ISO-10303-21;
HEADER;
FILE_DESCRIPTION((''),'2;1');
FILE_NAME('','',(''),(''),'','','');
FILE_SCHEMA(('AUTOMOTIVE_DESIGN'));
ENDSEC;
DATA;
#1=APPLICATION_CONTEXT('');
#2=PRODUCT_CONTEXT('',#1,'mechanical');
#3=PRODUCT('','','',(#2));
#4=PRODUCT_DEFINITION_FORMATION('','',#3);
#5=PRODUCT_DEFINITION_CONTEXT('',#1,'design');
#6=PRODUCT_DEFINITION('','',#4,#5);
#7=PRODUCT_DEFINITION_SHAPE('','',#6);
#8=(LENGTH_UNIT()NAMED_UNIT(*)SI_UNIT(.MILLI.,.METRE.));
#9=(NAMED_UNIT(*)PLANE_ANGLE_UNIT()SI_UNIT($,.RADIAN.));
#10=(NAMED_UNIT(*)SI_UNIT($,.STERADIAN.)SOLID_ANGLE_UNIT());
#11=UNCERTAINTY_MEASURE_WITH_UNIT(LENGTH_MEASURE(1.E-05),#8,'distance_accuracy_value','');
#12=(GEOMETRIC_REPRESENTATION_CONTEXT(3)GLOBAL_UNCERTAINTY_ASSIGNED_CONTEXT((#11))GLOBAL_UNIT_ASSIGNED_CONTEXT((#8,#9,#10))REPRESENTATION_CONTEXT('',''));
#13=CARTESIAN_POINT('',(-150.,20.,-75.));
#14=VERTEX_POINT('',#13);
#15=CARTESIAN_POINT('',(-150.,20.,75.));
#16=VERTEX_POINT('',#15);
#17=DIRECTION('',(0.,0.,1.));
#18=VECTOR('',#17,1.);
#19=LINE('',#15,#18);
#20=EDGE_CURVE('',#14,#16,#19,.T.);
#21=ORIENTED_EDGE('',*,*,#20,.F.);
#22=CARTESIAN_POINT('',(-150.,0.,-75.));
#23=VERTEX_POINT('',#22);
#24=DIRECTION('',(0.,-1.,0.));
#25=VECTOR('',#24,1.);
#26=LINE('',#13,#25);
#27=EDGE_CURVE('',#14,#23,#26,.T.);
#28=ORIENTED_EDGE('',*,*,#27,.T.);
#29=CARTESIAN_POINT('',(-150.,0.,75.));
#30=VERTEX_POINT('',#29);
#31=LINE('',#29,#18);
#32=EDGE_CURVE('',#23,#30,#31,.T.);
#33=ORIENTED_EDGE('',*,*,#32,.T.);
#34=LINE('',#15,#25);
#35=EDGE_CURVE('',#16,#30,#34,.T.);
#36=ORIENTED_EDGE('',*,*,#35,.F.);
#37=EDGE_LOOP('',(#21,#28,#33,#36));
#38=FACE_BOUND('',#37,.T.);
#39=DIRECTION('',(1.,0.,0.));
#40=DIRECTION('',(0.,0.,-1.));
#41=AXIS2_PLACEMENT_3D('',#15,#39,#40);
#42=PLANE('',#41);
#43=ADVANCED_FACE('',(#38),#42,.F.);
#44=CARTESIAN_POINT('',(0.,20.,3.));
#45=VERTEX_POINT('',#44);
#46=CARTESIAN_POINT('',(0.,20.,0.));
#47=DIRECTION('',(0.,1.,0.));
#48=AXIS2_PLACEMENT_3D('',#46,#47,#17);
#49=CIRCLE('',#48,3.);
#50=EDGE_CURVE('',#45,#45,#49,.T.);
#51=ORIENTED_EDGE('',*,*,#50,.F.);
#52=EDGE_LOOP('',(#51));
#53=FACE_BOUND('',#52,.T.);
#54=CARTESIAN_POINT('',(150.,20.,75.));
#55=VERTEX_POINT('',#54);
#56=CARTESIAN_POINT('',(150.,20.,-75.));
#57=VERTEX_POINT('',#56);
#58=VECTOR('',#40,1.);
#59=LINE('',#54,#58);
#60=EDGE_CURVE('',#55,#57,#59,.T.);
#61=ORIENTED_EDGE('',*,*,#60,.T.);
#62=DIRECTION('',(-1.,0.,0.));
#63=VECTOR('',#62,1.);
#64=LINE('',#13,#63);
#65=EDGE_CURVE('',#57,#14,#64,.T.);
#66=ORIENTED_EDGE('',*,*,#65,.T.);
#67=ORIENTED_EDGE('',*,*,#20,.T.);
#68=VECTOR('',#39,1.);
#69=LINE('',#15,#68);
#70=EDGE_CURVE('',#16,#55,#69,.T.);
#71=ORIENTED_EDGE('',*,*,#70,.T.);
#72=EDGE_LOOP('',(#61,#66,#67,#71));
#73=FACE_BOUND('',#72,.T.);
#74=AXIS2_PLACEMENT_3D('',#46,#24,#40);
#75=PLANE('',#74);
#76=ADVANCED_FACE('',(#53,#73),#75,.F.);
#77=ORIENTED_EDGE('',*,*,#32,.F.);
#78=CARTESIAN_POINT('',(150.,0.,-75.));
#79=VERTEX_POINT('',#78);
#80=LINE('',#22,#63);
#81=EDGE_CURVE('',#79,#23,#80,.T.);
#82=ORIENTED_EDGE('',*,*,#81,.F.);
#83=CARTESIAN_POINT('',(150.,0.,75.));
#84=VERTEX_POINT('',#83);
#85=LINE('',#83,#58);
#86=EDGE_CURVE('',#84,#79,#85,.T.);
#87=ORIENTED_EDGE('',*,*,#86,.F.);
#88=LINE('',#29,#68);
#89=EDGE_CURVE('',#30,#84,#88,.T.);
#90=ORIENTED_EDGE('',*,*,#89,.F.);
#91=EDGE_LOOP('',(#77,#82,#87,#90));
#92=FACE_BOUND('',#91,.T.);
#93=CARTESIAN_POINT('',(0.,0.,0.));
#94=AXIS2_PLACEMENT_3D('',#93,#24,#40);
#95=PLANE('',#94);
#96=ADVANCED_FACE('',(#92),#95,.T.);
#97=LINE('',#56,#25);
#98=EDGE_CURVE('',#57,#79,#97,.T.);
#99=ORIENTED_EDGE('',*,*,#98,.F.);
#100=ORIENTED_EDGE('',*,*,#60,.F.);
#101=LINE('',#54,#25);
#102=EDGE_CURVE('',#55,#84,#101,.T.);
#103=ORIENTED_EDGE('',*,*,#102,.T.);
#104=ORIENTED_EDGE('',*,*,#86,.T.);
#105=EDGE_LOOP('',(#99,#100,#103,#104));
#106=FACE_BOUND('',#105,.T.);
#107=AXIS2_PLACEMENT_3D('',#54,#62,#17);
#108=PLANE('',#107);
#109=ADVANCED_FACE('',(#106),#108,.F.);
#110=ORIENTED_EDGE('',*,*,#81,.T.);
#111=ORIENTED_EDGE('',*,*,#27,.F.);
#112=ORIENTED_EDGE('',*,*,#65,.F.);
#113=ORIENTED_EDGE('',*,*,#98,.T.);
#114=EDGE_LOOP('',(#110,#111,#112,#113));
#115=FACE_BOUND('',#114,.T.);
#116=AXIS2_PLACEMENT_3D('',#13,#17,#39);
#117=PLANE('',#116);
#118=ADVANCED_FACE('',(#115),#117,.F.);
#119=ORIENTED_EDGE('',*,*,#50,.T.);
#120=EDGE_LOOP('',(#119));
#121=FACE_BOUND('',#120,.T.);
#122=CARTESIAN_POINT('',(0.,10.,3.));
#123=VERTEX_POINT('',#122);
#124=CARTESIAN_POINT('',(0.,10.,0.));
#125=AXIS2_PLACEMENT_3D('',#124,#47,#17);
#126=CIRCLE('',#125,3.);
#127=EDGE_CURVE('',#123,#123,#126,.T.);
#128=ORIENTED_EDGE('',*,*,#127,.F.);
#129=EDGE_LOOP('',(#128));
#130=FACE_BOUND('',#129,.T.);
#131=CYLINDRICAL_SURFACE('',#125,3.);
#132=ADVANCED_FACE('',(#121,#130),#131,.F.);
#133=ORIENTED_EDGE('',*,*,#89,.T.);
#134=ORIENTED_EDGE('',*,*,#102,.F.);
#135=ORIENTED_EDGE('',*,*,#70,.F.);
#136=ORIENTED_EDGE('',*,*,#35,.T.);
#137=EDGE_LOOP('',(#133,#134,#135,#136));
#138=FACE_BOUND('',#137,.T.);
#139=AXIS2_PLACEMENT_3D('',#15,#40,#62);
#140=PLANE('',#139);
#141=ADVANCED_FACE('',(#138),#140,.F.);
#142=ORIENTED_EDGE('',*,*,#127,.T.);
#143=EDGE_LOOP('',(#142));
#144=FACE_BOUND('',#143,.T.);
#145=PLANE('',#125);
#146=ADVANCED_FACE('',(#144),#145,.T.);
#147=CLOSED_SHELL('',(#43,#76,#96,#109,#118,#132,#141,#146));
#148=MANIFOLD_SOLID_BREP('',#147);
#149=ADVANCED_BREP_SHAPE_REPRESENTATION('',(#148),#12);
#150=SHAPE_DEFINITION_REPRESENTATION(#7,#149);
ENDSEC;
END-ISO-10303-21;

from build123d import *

# Parameters (mm, degrees)
SKETCH1_W           = 300
SKETCH1_H           = 150
BOSS_EXTRUDE1_DEPTH = 20
SKETCH2_R           = 3
CUT_EXTRUDE1_DEPTH  = 10


with BuildPart() as part:
    # Sketch1 → Boss-Extrude1 (new body)
    with BuildSketch(Plane(origin=(0, 0, 0), x_dir=(1, 0, 0), z_dir=(0, 1, 0))):
        Rectangle(SKETCH1_W, SKETCH1_H)
    extrude(amount=BOSS_EXTRUDE1_DEPTH)

    # Sketch2 → Cut-Extrude1 (cut)
    with BuildSketch(Plane(origin=(0, 20, 0), x_dir=(1, 0, 0), z_dir=(0, 1, 0))):
        Circle(SKETCH2_R)
    extrude(amount=-CUT_EXTRUDE1_DEPTH, mode=Mode.SUBTRACT)


solid = part.part
